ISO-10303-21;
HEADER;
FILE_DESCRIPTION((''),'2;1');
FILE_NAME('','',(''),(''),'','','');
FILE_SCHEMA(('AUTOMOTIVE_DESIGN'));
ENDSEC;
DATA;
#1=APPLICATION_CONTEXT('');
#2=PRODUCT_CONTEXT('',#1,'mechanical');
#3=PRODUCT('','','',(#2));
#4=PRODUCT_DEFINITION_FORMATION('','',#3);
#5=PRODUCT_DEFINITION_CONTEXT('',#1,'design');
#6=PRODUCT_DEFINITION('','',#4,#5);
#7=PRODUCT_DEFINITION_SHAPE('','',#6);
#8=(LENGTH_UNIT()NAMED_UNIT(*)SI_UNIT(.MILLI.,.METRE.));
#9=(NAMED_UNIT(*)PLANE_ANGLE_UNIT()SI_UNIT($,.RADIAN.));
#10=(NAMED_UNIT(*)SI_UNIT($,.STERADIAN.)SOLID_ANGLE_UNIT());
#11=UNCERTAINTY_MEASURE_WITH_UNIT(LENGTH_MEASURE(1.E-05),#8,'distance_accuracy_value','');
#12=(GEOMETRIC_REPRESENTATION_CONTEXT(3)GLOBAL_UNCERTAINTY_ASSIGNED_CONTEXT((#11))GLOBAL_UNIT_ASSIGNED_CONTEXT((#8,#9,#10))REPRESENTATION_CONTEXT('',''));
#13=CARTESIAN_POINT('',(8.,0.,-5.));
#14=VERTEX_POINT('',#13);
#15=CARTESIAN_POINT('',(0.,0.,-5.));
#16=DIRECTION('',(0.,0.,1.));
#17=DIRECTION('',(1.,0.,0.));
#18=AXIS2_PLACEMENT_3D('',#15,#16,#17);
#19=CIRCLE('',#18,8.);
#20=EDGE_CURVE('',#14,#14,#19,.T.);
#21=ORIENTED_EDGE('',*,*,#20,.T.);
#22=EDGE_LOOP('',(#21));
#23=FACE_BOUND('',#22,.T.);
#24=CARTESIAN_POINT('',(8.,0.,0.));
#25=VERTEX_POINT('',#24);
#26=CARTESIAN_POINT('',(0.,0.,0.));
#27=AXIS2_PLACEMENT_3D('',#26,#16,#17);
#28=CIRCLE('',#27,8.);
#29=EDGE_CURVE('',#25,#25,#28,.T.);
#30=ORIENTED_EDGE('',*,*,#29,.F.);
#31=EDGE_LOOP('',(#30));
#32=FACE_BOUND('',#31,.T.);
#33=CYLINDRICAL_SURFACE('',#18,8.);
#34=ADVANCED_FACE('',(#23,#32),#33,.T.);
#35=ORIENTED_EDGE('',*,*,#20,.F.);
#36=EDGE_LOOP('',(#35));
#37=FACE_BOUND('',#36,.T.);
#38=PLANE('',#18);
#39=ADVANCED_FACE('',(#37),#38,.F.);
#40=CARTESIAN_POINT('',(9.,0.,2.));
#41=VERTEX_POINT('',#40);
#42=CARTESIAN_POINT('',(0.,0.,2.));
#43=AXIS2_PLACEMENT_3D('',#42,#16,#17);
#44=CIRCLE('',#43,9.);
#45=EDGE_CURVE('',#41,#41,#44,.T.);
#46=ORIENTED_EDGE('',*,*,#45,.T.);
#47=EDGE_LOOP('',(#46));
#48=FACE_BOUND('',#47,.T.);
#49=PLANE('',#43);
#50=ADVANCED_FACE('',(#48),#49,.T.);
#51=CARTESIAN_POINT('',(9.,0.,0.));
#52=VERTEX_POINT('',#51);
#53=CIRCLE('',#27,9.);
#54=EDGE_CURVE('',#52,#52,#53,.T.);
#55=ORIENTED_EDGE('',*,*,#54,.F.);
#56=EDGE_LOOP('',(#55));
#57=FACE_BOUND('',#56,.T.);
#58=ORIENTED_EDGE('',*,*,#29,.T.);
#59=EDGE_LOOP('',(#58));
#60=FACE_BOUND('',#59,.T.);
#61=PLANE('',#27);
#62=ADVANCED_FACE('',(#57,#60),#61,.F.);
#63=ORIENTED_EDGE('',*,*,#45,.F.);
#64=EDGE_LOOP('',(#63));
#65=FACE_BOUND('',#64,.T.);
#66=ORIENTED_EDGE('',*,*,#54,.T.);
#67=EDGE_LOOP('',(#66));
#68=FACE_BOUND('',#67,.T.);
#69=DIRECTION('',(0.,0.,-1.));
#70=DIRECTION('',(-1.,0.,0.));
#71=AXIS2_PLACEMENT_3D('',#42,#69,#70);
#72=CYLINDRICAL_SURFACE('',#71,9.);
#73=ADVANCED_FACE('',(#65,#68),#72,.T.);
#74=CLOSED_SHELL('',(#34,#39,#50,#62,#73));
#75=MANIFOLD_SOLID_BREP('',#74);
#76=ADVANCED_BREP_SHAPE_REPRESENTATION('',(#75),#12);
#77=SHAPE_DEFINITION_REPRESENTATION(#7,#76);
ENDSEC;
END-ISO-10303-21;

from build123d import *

# Parameters (mm, degrees)
SKETCH_1_R      = 9
EXTRUDE_1_DEPTH = 2
SKETCH_2_R      = 8
EXTRUDE_2_DEPTH = 5


with BuildPart() as part:
    # 草图1 → 凸台-拉伸1 (new body)
    with BuildSketch(Plane.XY):
        Circle(SKETCH_1_R)
    extrude(amount=EXTRUDE_1_DEPTH)

    # 草图2 → 凸台-拉伸2 (add)
    with BuildSketch(Plane.XY):
        Circle(SKETCH_2_R)
    extrude(amount=-EXTRUDE_2_DEPTH)


solid = part.part
